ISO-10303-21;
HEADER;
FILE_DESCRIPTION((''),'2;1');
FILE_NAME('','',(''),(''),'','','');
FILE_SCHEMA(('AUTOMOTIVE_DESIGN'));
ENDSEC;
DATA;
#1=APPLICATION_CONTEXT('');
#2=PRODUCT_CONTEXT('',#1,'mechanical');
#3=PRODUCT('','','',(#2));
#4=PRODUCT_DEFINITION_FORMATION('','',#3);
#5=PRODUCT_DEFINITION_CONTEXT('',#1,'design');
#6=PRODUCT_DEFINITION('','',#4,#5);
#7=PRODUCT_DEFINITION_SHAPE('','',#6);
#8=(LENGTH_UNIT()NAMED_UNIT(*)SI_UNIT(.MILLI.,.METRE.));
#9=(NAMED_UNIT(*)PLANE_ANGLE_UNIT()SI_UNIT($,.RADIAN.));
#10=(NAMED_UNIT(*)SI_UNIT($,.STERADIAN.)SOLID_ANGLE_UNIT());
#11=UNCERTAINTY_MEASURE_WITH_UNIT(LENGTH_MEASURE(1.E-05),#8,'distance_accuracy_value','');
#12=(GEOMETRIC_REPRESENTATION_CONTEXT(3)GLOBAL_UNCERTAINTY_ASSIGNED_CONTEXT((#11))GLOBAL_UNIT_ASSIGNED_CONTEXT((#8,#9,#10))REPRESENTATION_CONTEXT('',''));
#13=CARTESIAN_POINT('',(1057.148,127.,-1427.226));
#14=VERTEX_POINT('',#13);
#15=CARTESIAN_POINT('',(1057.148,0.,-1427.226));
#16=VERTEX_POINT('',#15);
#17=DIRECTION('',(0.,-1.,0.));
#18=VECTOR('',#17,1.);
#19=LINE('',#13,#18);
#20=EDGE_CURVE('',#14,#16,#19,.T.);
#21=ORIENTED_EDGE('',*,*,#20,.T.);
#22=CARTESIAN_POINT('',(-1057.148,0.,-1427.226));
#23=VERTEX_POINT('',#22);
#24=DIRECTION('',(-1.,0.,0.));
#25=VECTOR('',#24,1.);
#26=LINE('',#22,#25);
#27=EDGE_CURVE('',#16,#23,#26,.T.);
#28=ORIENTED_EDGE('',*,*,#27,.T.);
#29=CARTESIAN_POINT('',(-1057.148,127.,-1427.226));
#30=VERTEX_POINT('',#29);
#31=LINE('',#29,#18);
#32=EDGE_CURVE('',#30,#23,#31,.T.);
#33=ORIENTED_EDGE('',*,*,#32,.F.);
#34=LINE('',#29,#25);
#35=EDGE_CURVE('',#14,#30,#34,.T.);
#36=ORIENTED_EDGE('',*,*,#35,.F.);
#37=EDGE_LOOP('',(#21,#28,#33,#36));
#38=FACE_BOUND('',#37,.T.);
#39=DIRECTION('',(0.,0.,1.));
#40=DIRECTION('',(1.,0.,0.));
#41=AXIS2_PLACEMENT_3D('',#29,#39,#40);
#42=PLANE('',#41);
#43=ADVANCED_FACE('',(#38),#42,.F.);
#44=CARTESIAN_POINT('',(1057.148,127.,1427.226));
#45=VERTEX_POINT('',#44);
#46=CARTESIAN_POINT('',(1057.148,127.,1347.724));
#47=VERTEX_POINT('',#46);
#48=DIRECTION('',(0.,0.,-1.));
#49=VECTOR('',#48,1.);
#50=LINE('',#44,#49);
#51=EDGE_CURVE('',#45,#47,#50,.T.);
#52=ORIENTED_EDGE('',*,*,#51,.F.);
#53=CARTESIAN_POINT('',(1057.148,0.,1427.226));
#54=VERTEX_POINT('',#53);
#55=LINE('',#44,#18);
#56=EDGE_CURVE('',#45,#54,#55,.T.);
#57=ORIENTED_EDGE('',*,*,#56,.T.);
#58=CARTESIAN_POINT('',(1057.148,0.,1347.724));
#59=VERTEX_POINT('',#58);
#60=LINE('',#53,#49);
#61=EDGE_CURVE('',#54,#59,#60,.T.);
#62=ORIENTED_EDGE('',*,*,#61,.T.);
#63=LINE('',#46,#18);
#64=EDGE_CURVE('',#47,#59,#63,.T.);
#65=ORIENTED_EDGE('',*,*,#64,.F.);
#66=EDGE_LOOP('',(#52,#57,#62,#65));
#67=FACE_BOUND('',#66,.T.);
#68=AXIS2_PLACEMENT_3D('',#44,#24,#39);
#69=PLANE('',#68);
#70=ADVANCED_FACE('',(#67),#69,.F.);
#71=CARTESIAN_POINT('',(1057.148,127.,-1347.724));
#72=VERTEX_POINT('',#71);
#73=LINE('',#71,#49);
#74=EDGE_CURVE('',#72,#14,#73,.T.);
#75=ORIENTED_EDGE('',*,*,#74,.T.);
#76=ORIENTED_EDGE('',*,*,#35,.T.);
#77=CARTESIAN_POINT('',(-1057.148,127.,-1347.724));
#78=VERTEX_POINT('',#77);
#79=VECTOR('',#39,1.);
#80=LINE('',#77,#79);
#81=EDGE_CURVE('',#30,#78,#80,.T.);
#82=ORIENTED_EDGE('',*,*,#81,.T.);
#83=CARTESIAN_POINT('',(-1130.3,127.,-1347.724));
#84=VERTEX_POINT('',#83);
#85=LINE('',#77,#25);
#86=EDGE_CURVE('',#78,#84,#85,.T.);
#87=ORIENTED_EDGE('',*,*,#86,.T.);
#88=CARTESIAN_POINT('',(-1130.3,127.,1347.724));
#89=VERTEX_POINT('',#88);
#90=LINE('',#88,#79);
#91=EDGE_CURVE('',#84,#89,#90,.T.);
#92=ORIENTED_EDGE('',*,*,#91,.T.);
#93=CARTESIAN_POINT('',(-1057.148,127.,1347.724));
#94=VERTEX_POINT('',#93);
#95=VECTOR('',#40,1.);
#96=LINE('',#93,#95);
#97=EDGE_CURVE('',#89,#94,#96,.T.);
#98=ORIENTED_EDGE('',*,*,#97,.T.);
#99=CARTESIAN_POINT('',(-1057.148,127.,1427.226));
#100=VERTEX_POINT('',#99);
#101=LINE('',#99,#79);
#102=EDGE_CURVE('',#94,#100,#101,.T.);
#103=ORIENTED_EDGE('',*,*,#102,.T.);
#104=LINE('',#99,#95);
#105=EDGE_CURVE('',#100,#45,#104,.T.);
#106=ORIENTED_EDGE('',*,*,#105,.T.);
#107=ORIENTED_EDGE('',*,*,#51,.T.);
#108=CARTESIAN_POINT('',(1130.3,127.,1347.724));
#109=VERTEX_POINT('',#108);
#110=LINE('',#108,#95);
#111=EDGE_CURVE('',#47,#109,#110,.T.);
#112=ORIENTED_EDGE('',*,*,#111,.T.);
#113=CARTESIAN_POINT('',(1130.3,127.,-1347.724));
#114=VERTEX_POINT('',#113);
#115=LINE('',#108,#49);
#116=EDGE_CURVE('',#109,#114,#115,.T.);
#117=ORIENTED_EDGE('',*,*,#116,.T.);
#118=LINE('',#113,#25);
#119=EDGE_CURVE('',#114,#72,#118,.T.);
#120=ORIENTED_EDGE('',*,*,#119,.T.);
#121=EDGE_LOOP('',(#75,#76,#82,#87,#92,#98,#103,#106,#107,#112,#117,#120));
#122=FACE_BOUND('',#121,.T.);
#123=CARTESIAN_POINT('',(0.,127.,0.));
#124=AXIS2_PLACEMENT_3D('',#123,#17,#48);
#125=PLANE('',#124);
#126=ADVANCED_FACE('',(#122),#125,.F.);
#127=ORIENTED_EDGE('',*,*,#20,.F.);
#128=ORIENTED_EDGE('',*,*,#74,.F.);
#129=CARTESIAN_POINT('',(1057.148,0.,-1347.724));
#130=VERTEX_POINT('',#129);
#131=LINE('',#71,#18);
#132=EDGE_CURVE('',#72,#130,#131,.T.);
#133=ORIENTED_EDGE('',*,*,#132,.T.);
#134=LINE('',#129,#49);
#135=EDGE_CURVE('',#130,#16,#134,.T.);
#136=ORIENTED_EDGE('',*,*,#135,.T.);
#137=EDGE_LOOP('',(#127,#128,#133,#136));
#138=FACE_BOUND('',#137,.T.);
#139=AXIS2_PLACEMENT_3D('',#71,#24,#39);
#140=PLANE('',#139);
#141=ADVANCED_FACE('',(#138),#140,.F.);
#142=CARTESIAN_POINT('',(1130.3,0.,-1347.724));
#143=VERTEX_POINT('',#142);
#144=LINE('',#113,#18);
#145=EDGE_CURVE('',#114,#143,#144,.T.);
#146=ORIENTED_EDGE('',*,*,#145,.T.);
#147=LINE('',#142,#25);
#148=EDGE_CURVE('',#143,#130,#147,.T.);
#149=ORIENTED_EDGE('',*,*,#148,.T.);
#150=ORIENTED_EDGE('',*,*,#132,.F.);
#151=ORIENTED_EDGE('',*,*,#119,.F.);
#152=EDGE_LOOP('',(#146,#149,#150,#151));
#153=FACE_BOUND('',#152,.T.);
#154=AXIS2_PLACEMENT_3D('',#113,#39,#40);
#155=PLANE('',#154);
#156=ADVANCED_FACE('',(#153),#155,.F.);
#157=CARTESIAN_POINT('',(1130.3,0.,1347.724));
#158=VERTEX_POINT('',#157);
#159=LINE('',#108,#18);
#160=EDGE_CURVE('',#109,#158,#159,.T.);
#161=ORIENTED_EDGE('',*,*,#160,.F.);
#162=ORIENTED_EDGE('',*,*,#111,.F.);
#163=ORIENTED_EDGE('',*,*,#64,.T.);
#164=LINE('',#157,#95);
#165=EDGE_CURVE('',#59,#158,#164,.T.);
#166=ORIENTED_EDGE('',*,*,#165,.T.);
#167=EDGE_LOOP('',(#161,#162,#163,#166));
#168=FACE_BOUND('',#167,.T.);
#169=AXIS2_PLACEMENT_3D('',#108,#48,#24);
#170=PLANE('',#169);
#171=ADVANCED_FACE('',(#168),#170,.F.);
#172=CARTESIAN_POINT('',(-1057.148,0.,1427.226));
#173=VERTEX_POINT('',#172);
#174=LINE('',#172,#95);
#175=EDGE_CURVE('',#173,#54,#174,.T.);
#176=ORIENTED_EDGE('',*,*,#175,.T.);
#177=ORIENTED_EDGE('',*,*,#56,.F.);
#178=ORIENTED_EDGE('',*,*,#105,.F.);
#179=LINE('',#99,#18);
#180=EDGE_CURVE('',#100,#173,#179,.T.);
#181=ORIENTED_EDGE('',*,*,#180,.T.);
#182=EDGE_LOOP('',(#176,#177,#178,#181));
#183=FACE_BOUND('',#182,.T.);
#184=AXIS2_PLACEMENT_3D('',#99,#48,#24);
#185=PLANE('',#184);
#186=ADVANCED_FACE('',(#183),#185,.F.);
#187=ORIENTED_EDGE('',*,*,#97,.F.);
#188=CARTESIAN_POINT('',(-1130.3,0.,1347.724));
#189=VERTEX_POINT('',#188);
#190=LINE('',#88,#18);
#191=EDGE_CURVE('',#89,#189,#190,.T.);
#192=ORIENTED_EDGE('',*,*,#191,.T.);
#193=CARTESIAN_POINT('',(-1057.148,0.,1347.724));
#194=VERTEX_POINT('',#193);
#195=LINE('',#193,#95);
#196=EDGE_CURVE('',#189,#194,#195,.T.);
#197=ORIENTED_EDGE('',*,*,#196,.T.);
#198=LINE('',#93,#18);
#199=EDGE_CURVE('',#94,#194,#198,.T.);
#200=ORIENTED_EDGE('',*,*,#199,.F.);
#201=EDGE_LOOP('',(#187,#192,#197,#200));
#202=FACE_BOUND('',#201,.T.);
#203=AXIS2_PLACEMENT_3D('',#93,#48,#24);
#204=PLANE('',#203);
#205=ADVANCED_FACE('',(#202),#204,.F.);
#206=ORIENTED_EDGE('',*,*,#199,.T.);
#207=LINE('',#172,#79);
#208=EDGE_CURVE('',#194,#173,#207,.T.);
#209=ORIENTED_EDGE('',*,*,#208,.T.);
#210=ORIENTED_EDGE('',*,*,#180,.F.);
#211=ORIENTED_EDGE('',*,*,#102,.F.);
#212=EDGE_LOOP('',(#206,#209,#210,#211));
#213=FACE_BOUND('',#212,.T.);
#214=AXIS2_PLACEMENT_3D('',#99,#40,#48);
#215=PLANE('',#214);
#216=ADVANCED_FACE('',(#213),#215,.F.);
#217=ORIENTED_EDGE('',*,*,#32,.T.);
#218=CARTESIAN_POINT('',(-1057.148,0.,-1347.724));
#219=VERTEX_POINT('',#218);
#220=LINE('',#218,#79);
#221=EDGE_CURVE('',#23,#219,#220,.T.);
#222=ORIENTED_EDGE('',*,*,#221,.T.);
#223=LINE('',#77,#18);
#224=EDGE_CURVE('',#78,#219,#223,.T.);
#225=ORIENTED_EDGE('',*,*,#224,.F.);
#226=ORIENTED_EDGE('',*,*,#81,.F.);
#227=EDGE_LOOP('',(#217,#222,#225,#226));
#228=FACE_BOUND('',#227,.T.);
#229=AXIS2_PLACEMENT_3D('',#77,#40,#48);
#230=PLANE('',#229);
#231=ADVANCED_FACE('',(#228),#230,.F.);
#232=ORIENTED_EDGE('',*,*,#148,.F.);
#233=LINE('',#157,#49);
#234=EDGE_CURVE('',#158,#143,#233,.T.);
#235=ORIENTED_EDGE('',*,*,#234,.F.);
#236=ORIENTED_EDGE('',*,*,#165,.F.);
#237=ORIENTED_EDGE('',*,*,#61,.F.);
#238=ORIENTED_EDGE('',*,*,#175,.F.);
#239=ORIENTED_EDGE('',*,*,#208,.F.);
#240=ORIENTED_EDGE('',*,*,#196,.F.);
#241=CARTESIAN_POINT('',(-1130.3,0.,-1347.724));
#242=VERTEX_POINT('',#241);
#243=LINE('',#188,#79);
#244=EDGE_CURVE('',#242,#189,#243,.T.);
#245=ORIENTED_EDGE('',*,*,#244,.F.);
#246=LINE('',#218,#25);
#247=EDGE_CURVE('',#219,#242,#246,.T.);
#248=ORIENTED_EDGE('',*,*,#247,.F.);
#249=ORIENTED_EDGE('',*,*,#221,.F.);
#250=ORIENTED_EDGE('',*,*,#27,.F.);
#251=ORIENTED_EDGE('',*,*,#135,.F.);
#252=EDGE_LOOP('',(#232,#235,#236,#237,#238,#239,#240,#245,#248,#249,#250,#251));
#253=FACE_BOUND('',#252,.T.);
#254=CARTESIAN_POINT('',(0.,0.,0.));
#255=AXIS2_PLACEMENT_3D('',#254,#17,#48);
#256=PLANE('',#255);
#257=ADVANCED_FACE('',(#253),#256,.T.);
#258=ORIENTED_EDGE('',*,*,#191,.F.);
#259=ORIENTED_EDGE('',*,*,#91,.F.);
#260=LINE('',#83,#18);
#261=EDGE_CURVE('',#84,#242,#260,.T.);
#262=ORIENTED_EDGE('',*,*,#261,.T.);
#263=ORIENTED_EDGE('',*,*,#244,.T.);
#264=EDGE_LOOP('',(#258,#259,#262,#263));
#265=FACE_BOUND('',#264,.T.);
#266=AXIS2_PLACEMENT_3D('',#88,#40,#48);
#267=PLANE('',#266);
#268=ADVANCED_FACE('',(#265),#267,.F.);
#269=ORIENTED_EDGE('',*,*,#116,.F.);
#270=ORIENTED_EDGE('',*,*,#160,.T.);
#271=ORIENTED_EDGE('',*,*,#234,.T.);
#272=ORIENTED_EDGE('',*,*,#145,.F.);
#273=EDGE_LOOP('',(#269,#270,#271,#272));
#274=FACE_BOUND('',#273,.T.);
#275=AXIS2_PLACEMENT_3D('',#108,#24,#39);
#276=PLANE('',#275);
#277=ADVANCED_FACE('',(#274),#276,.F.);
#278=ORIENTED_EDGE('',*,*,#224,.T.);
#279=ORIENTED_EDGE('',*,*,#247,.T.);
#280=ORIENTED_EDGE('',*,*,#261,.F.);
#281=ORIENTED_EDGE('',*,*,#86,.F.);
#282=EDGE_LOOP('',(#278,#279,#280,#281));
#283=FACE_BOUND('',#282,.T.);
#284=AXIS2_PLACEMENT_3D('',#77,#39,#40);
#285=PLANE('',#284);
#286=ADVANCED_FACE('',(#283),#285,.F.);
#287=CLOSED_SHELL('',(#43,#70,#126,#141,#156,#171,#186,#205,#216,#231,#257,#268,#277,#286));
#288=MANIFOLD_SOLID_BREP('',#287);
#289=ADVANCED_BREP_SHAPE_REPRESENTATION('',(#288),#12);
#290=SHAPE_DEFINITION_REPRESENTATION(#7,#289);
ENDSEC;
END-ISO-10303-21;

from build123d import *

# Parameters (mm, degrees)
BOSS_EXTRUDE1_DEPTH = 127


with BuildPart() as part:
    # Sketch1 → Boss-Extrude1 (new body)
    with BuildSketch(Plane(origin=(0, 0, 0), x_dir=(1, 0, 0), z_dir=(0, 1, 0))):
        Polygon((-1057.148, -1427.226), (1057.148, -1427.226), (1057.148, -1347.724), (1130.3, -1347.724), (1130.3, 1347.724), (1057.148, 1347.724), (1057.148, 1427.226), (-1057.148, 1427.226), (-1057.148, 1347.724), (-1130.3, 1347.724), (-1130.3, -1347.724), (-1057.148, -1347.724), align=None)
    extrude(amount=BOSS_EXTRUDE1_DEPTH)


solid = part.part
